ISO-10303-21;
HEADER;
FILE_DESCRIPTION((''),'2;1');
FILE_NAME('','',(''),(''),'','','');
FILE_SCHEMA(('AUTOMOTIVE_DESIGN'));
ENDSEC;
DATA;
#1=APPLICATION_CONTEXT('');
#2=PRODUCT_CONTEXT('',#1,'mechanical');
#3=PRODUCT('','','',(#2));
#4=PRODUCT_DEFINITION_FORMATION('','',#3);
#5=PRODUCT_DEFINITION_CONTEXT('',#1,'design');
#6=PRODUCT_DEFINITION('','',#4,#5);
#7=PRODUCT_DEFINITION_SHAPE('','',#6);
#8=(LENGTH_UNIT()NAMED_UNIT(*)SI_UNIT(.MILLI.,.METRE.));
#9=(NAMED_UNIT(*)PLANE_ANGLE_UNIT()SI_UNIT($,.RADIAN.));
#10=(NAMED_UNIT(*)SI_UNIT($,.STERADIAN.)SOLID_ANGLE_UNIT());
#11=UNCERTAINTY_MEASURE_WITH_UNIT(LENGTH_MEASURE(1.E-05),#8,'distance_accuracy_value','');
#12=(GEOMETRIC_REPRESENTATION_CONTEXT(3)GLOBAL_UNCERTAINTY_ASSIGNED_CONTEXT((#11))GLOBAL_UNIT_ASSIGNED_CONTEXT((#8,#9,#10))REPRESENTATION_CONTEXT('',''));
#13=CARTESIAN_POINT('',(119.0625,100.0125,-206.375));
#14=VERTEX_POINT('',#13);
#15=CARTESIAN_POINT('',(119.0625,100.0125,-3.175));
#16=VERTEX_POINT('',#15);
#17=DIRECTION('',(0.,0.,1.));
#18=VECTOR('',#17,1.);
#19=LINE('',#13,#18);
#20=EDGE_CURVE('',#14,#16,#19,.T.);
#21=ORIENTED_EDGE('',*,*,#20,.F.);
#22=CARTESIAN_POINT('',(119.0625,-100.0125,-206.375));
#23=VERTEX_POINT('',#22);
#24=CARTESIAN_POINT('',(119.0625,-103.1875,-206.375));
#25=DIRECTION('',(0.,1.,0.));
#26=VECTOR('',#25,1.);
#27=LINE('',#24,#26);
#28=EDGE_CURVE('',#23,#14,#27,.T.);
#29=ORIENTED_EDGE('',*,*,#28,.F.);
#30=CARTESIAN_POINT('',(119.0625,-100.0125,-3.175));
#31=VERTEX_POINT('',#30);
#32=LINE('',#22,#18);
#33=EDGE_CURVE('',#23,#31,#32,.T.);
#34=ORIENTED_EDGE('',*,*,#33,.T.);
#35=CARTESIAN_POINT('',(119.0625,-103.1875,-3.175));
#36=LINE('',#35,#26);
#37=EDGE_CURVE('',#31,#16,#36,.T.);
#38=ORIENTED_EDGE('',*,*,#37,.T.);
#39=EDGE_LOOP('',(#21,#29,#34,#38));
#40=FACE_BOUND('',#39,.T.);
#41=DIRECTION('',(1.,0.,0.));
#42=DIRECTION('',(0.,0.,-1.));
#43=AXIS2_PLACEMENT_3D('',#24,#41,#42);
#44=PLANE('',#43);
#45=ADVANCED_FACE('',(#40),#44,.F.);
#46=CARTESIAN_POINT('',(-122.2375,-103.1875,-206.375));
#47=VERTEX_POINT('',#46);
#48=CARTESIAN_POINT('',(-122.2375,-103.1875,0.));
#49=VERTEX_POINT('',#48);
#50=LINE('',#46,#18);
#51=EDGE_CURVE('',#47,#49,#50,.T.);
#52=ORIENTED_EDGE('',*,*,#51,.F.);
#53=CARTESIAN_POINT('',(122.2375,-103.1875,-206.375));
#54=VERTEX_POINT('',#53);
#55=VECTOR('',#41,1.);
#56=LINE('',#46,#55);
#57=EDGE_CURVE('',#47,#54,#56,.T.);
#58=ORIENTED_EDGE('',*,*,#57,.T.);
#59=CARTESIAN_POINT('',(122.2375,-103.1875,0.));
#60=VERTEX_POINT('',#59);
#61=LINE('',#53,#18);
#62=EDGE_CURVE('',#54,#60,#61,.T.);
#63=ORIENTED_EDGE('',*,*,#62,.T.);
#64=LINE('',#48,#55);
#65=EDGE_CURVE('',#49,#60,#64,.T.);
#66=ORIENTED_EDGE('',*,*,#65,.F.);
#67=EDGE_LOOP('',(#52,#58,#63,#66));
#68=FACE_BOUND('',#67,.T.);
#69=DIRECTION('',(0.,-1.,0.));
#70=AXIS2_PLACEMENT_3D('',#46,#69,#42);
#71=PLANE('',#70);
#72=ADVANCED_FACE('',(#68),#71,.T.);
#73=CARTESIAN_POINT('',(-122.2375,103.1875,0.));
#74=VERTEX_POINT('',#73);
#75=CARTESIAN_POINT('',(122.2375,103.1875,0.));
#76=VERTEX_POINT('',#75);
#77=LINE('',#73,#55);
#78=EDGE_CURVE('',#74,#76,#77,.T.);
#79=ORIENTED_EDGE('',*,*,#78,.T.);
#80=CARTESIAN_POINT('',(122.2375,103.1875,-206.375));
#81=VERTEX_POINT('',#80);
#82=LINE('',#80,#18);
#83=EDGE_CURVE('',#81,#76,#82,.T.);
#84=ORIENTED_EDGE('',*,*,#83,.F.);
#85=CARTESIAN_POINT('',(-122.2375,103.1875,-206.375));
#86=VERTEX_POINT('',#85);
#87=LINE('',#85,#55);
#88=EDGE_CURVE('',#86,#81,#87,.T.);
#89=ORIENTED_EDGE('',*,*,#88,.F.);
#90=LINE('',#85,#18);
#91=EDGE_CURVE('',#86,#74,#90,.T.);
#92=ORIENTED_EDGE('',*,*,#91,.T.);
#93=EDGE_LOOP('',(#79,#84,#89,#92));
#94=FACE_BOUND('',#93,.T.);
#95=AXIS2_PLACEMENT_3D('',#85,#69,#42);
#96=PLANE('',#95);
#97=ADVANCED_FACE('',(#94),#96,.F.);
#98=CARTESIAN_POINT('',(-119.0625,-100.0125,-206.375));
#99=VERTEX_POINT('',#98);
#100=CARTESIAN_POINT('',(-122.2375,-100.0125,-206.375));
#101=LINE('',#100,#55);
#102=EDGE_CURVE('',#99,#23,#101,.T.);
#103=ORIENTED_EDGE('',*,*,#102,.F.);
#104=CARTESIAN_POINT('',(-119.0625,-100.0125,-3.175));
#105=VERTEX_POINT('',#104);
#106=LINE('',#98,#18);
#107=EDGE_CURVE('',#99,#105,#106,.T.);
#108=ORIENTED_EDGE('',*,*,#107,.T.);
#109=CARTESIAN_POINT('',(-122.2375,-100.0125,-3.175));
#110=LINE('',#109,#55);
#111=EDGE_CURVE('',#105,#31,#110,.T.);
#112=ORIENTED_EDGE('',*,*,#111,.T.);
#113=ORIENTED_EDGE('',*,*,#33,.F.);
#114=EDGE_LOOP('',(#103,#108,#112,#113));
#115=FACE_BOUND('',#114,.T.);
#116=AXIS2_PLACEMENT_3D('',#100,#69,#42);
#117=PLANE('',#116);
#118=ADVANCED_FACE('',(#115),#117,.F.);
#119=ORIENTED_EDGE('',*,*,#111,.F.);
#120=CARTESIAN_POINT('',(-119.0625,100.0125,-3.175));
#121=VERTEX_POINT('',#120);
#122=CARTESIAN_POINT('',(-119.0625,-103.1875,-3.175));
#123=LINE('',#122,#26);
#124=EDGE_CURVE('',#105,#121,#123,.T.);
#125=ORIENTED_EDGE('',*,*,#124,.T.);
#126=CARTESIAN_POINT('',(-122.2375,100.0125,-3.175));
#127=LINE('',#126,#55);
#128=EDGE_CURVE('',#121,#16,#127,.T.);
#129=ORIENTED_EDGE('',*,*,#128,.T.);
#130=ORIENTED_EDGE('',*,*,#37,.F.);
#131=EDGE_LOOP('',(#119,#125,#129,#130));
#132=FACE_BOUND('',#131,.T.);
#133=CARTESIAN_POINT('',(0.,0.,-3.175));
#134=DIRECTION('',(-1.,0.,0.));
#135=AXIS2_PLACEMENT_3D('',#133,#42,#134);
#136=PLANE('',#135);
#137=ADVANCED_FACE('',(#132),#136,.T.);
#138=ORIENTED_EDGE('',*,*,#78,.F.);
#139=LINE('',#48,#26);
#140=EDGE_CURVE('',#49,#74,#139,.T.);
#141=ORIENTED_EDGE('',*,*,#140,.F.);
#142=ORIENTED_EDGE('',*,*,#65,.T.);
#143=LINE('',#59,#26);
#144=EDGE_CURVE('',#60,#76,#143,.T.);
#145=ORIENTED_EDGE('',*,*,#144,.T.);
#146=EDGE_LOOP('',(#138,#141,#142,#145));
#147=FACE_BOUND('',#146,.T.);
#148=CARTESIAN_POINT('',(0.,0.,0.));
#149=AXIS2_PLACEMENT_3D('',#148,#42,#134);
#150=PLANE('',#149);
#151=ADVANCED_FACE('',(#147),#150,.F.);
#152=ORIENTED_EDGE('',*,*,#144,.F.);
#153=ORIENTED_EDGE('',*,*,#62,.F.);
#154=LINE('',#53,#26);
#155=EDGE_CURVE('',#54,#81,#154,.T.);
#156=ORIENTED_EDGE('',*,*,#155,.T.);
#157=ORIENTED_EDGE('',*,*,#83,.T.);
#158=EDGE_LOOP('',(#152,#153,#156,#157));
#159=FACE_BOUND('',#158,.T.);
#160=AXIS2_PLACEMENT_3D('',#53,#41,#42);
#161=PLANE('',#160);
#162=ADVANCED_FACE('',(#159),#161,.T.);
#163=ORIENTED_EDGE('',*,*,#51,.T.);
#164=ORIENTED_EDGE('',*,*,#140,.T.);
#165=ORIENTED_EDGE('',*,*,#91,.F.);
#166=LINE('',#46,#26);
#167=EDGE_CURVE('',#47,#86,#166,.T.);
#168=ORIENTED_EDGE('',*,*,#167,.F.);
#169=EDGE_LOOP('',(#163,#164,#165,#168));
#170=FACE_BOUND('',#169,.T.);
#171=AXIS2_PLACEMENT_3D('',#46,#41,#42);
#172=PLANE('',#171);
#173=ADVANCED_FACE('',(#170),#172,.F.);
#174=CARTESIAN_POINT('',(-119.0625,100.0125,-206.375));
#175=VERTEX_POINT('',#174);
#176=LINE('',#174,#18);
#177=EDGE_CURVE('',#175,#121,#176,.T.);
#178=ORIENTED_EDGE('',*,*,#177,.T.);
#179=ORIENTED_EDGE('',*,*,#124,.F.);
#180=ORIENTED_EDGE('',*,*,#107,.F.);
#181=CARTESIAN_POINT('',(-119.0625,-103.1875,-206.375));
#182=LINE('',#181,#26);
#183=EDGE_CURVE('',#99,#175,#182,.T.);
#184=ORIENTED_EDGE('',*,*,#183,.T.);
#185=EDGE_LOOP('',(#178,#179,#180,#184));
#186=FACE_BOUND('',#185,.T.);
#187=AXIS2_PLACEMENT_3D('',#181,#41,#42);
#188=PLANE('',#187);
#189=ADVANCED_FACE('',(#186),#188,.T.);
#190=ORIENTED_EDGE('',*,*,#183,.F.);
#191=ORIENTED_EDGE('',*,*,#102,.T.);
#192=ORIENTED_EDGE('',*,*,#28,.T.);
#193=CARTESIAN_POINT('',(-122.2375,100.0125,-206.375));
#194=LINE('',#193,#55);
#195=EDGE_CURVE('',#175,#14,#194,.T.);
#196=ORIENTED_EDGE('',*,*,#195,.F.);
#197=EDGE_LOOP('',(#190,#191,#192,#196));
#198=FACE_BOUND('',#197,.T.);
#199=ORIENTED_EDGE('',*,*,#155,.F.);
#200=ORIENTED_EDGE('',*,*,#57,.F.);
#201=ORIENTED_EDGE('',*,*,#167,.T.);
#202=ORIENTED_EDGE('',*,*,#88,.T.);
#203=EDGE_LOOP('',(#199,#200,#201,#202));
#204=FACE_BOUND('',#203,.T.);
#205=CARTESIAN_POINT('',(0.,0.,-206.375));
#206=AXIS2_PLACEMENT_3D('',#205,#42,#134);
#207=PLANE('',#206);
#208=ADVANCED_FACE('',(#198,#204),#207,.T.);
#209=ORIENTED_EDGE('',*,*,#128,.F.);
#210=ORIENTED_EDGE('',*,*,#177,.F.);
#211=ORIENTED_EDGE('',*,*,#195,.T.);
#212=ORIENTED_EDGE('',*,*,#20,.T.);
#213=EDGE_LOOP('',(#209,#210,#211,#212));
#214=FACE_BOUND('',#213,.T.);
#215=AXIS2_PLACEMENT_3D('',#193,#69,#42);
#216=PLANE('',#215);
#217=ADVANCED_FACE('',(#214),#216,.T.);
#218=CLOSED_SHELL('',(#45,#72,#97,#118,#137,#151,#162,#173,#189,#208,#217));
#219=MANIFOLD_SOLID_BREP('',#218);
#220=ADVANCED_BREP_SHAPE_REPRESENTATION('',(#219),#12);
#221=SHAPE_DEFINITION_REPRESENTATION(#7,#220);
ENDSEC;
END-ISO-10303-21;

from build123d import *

# Parameters (mm, degrees)
SKETCH1_W           = 244.475
SKETCH1_H           = 206.375
BOSS_EXTRUDE1_DEPTH = 206.375
SHELL1_T            = -3.175


with BuildPart() as part:
    # Sketch1 → Boss-Extrude1 (new body)
    with BuildSketch(Plane.XY):
        Rectangle(SKETCH1_W, SKETCH1_H)
    extrude(amount=-BOSS_EXTRUDE1_DEPTH)

    # Shell1
    shell1_openings = [part.faces().sort_by_distance(p)[0] for p in [
        (0, 0, -206.375),
    ]]
    offset(amount=SHELL1_T, openings=shell1_openings, kind=Kind.INTERSECTION)


solid = part.part
